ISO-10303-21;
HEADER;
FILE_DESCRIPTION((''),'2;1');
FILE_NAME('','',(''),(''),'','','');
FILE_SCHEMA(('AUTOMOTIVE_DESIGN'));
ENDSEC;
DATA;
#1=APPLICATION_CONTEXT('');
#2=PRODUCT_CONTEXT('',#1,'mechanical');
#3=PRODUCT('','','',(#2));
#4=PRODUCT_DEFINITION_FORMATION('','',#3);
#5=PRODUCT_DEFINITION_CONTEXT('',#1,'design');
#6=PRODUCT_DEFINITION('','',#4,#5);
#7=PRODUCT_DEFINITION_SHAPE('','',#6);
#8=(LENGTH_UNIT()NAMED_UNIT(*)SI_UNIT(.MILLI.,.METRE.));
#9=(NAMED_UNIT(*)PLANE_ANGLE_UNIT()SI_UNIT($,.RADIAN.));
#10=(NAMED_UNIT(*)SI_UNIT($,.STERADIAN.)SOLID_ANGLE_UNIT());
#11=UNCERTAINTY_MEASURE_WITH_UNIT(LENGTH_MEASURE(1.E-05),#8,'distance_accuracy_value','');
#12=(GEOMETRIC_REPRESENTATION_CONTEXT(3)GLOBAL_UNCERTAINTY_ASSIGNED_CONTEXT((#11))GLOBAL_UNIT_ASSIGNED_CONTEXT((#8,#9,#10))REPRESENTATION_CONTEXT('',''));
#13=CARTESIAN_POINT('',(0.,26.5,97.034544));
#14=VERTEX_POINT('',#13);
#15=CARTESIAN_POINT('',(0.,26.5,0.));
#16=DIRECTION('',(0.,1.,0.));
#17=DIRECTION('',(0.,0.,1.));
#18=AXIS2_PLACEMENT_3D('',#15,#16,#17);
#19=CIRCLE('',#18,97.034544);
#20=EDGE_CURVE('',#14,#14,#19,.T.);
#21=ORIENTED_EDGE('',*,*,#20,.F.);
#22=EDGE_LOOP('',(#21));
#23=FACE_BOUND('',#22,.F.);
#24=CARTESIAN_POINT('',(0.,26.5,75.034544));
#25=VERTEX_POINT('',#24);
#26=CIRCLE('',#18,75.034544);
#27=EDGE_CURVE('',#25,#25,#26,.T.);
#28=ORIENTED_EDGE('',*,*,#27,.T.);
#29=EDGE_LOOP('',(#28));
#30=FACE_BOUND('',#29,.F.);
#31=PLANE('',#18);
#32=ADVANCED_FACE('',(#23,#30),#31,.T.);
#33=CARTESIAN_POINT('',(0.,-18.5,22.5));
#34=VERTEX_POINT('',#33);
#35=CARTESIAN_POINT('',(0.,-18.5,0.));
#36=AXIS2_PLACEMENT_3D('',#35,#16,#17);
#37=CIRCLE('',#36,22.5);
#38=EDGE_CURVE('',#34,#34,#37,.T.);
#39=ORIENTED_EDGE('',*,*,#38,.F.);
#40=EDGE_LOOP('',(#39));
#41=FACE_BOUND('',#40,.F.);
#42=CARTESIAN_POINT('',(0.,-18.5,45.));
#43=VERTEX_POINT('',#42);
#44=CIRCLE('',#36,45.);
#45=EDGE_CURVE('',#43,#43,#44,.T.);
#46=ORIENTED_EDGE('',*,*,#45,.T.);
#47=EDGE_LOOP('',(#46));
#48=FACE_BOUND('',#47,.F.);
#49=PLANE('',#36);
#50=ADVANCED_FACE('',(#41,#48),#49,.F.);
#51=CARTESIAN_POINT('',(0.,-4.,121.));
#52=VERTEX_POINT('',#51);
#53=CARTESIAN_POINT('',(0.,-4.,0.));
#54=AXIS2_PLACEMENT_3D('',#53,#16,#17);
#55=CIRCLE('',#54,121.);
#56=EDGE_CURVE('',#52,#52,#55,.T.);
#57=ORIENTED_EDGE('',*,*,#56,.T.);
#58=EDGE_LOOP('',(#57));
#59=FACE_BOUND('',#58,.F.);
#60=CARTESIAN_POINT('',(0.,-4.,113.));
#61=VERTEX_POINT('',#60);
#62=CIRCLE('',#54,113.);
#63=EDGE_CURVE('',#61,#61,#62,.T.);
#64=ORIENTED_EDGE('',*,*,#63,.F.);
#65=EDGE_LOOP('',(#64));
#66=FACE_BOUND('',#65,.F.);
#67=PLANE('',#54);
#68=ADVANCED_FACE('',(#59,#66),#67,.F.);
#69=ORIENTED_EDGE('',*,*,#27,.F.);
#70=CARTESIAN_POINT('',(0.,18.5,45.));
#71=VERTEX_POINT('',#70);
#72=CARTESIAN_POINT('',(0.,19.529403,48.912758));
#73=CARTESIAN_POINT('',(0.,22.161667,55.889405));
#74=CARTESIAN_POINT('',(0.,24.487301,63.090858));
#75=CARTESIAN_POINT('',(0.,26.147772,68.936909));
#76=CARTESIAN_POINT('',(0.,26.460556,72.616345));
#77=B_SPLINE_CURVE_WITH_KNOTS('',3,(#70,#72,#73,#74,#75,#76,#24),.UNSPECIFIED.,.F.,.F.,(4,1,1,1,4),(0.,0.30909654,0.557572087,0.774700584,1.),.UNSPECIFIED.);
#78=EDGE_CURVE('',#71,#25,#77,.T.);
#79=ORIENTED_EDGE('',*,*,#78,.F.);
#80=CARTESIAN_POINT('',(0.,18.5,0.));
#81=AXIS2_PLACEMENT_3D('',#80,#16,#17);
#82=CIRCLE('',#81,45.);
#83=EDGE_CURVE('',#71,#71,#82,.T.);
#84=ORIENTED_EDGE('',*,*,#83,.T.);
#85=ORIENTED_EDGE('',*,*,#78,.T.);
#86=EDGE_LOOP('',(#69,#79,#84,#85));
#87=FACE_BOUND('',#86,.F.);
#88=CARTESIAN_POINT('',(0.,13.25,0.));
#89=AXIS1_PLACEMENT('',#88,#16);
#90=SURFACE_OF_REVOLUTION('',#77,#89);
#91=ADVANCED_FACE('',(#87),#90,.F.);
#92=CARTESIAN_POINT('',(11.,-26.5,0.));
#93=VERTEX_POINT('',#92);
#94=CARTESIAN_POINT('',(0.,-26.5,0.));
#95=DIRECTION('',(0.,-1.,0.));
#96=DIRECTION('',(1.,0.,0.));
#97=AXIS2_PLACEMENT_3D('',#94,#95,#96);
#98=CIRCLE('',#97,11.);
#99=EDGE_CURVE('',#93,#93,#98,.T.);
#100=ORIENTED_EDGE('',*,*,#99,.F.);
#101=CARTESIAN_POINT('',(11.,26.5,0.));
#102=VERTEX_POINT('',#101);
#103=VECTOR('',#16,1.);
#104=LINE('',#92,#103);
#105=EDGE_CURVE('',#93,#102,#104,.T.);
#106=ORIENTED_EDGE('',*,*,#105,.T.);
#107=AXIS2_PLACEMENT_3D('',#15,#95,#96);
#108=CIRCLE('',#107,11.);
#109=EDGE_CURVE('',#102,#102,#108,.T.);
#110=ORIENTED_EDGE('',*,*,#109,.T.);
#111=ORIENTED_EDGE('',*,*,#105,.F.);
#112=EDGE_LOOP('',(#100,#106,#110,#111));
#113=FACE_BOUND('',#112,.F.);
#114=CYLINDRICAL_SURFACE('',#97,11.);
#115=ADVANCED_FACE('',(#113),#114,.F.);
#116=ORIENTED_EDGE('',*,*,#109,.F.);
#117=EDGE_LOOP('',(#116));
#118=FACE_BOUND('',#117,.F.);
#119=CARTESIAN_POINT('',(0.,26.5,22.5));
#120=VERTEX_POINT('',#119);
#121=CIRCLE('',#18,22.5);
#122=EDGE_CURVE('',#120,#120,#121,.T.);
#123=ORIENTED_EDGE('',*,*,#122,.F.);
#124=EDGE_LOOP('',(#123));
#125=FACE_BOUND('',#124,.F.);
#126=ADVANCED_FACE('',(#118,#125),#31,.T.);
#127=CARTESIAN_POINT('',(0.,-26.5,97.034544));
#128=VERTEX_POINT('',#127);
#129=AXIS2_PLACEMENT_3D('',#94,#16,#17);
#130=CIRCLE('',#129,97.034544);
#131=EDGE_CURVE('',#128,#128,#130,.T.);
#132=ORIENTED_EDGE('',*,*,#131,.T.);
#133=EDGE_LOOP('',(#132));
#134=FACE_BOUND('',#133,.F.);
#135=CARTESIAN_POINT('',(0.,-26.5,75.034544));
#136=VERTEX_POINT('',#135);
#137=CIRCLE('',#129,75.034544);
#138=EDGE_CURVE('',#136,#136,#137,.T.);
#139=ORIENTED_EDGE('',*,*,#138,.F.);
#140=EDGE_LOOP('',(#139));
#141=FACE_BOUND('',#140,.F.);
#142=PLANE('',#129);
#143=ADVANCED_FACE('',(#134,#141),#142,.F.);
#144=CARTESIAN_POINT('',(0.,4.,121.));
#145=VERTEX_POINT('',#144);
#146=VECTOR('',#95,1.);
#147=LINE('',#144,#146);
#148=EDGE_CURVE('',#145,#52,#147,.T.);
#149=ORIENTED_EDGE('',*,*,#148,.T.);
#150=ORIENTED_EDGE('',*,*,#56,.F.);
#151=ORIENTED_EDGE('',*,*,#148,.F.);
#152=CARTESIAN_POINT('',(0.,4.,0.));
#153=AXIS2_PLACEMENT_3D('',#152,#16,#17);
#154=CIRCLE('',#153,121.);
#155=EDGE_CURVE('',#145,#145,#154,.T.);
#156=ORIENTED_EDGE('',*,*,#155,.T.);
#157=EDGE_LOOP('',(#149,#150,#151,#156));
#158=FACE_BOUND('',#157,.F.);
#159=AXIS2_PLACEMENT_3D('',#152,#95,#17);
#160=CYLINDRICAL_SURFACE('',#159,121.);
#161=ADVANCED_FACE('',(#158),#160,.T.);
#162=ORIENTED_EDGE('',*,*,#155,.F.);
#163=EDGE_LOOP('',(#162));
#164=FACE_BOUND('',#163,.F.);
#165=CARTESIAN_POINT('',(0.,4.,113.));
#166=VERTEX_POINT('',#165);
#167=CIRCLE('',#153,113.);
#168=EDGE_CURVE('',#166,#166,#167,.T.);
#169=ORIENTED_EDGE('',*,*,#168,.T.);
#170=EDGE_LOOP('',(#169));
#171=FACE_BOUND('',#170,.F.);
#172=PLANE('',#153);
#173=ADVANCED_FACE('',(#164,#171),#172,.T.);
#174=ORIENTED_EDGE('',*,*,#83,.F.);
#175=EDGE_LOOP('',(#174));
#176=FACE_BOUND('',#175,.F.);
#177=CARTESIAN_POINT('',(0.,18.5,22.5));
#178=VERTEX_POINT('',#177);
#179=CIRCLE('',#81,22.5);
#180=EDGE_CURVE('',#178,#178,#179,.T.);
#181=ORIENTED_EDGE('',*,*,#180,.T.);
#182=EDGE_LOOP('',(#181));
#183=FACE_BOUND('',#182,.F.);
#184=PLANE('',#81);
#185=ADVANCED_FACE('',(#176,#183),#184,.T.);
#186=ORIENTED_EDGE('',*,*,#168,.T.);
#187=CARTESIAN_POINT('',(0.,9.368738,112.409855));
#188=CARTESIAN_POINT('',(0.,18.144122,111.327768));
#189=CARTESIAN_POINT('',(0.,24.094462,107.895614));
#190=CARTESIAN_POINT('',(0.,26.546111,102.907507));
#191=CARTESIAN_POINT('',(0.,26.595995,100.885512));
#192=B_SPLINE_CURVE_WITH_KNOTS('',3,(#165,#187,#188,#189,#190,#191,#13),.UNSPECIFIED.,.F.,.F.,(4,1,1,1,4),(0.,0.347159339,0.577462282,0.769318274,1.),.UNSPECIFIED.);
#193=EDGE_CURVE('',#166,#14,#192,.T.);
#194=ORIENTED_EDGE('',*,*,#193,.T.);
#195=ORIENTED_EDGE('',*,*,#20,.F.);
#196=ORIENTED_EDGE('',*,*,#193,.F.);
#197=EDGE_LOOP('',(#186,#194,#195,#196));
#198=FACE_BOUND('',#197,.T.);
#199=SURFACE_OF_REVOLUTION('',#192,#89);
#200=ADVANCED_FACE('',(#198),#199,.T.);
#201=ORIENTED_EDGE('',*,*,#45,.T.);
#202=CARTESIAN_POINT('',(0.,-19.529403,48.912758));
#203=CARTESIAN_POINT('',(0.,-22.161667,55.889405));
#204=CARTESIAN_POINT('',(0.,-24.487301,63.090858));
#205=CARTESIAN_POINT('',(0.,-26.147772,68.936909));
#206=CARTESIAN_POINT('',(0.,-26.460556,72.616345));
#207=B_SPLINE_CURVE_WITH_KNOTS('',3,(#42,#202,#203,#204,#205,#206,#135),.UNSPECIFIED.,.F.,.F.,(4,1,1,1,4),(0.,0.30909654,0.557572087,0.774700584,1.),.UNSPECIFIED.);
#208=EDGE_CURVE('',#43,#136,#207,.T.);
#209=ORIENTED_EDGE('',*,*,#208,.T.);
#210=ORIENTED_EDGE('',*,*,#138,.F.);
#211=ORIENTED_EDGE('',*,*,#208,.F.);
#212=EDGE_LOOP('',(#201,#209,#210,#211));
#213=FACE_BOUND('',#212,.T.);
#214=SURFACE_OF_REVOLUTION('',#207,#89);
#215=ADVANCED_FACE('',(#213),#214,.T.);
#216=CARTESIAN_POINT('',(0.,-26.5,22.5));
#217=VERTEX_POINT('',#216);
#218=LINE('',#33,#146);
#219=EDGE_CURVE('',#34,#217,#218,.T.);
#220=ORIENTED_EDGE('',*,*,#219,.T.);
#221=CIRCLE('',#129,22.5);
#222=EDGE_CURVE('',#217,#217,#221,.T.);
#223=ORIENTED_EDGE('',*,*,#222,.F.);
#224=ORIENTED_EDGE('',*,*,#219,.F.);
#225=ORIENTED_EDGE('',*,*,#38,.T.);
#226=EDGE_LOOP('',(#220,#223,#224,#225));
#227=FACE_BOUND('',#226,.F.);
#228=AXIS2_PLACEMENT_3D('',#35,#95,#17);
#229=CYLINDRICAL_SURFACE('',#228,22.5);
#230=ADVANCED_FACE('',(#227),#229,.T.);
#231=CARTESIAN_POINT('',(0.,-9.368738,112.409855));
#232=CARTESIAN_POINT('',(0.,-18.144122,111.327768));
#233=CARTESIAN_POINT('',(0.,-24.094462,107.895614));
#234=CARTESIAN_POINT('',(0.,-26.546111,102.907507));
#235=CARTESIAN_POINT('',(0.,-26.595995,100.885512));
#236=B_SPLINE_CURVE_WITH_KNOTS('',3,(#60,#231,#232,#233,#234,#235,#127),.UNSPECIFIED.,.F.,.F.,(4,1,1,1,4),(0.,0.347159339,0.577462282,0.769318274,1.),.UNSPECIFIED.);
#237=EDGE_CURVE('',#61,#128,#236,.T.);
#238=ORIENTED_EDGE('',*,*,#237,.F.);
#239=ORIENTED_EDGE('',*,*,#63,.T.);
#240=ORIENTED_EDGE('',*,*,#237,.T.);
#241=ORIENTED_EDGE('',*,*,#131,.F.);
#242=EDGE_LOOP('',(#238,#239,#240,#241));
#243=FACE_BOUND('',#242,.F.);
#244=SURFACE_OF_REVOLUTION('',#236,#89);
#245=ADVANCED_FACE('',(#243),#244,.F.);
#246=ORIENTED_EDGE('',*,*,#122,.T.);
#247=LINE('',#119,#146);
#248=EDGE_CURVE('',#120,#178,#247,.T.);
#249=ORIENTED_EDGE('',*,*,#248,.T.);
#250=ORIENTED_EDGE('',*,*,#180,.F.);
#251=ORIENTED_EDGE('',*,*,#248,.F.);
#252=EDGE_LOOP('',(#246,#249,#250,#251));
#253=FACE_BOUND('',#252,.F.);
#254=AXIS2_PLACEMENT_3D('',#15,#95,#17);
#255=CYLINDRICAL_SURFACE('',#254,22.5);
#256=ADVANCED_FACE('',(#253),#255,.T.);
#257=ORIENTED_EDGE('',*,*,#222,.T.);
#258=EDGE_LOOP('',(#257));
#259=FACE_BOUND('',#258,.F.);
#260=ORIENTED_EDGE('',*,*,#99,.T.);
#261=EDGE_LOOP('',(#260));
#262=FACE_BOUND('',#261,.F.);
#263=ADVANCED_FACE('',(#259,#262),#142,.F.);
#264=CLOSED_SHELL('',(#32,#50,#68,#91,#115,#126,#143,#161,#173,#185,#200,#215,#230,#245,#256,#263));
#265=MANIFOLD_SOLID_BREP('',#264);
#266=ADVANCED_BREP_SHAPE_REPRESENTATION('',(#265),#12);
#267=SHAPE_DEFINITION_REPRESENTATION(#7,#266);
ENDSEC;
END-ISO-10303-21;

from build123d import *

# Parameters (mm, degrees)
F2_R     = 11
F3_DEPTH = 53.0453037885


with BuildPart() as f1:
    # F0 (on Right) → F1 (revolve)
    with BuildSketch(Plane.YZ):
        with BuildLine():
            Line((-26.5, 0), (0, 0))
            Line((0, 0), (26.5, 0))
            Line((26.5, 0), (26.5, 22.5))
            Line((26.5, 22.5), (18.5, 22.5))
            Line((18.5, 22.5), (18.5, 45))
            add(Edge.make_bspline(
                [(18.5, 45), (19.5294032027, 48.9127575131), (22.161666724, 55.8894054865), (24.4873005161, 63.090857729), (26.1477720941, 68.9369086166), (26.4605557105, 72.6163447861), (26.5, 75.0345438719)],
                knots=[0, 0, 0, 0, 0.3090965399, 0.5575720867, 0.7747005836, 1, 1, 1, 1], degree=3))
            Line((26.5, 75.0345438719), (26.5, 97.0345438719))
            add(Edge.make_bspline(
                [(4, 113), (9.3687376029, 112.4098545459), (18.1441221183, 111.3277676815), (24.0944618424, 107.8956142299), (26.5461108875, 102.9075068186), (26.5959951506, 100.8855119386), (26.5, 97.0345438719)],
                knots=[0, 0, 0, 0, 0.3471593385, 0.577462282, 0.7693182742, 1, 1, 1, 1], degree=3))
            Line((4, 113), (4, 121))
            Line((4, 121), (0, 121))
            Line((0, 121), (-4, 121))
            Line((-4, 121), (-4, 113))
            add(Edge.make_bspline(
                [(-4, 113), (-9.3687376029, 112.4098545459), (-18.1441221183, 111.3277676815), (-24.0944618424, 107.8956142299), (-26.5461108875, 102.9075068186), (-26.5959951506, 100.8855119386), (-26.5, 97.0345438719)],
                knots=[0, 0, 0, 0, 0.3471593385, 0.577462282, 0.7693182742, 1, 1, 1, 1], degree=3))
            Line((-26.5, 97.0345438719), (-26.5, 75.0345438719))
            add(Edge.make_bspline(
                [(-18.5, 45), (-19.5294032027, 48.9127575131), (-22.161666724, 55.8894054865), (-24.4873005161, 63.090857729), (-26.1477720941, 68.9369086166), (-26.4605557105, 72.6163447861), (-26.5, 75.0345438719)],
                knots=[0, 0, 0, 0, 0.3090965399, 0.5575720867, 0.7747005836, 1, 1, 1, 1], degree=3))
            Line((-18.5, 45), (-18.5, 22.5))
            Line((-18.5, 22.5), (-26.5, 22.5))
            Line((-26.5, 22.5), (-26.5, 0))
        make_face()
    revolve(axis=Axis((0, 13.25, 0), (0, 1, 0)))

    # F2 (on face) → F3 (cut, through all)
    with BuildSketch(Plane.XZ.offset(26.5)):
        Circle(F2_R)
    extrude(amount=-F3_DEPTH, mode=Mode.SUBTRACT)


solid = f1.part
